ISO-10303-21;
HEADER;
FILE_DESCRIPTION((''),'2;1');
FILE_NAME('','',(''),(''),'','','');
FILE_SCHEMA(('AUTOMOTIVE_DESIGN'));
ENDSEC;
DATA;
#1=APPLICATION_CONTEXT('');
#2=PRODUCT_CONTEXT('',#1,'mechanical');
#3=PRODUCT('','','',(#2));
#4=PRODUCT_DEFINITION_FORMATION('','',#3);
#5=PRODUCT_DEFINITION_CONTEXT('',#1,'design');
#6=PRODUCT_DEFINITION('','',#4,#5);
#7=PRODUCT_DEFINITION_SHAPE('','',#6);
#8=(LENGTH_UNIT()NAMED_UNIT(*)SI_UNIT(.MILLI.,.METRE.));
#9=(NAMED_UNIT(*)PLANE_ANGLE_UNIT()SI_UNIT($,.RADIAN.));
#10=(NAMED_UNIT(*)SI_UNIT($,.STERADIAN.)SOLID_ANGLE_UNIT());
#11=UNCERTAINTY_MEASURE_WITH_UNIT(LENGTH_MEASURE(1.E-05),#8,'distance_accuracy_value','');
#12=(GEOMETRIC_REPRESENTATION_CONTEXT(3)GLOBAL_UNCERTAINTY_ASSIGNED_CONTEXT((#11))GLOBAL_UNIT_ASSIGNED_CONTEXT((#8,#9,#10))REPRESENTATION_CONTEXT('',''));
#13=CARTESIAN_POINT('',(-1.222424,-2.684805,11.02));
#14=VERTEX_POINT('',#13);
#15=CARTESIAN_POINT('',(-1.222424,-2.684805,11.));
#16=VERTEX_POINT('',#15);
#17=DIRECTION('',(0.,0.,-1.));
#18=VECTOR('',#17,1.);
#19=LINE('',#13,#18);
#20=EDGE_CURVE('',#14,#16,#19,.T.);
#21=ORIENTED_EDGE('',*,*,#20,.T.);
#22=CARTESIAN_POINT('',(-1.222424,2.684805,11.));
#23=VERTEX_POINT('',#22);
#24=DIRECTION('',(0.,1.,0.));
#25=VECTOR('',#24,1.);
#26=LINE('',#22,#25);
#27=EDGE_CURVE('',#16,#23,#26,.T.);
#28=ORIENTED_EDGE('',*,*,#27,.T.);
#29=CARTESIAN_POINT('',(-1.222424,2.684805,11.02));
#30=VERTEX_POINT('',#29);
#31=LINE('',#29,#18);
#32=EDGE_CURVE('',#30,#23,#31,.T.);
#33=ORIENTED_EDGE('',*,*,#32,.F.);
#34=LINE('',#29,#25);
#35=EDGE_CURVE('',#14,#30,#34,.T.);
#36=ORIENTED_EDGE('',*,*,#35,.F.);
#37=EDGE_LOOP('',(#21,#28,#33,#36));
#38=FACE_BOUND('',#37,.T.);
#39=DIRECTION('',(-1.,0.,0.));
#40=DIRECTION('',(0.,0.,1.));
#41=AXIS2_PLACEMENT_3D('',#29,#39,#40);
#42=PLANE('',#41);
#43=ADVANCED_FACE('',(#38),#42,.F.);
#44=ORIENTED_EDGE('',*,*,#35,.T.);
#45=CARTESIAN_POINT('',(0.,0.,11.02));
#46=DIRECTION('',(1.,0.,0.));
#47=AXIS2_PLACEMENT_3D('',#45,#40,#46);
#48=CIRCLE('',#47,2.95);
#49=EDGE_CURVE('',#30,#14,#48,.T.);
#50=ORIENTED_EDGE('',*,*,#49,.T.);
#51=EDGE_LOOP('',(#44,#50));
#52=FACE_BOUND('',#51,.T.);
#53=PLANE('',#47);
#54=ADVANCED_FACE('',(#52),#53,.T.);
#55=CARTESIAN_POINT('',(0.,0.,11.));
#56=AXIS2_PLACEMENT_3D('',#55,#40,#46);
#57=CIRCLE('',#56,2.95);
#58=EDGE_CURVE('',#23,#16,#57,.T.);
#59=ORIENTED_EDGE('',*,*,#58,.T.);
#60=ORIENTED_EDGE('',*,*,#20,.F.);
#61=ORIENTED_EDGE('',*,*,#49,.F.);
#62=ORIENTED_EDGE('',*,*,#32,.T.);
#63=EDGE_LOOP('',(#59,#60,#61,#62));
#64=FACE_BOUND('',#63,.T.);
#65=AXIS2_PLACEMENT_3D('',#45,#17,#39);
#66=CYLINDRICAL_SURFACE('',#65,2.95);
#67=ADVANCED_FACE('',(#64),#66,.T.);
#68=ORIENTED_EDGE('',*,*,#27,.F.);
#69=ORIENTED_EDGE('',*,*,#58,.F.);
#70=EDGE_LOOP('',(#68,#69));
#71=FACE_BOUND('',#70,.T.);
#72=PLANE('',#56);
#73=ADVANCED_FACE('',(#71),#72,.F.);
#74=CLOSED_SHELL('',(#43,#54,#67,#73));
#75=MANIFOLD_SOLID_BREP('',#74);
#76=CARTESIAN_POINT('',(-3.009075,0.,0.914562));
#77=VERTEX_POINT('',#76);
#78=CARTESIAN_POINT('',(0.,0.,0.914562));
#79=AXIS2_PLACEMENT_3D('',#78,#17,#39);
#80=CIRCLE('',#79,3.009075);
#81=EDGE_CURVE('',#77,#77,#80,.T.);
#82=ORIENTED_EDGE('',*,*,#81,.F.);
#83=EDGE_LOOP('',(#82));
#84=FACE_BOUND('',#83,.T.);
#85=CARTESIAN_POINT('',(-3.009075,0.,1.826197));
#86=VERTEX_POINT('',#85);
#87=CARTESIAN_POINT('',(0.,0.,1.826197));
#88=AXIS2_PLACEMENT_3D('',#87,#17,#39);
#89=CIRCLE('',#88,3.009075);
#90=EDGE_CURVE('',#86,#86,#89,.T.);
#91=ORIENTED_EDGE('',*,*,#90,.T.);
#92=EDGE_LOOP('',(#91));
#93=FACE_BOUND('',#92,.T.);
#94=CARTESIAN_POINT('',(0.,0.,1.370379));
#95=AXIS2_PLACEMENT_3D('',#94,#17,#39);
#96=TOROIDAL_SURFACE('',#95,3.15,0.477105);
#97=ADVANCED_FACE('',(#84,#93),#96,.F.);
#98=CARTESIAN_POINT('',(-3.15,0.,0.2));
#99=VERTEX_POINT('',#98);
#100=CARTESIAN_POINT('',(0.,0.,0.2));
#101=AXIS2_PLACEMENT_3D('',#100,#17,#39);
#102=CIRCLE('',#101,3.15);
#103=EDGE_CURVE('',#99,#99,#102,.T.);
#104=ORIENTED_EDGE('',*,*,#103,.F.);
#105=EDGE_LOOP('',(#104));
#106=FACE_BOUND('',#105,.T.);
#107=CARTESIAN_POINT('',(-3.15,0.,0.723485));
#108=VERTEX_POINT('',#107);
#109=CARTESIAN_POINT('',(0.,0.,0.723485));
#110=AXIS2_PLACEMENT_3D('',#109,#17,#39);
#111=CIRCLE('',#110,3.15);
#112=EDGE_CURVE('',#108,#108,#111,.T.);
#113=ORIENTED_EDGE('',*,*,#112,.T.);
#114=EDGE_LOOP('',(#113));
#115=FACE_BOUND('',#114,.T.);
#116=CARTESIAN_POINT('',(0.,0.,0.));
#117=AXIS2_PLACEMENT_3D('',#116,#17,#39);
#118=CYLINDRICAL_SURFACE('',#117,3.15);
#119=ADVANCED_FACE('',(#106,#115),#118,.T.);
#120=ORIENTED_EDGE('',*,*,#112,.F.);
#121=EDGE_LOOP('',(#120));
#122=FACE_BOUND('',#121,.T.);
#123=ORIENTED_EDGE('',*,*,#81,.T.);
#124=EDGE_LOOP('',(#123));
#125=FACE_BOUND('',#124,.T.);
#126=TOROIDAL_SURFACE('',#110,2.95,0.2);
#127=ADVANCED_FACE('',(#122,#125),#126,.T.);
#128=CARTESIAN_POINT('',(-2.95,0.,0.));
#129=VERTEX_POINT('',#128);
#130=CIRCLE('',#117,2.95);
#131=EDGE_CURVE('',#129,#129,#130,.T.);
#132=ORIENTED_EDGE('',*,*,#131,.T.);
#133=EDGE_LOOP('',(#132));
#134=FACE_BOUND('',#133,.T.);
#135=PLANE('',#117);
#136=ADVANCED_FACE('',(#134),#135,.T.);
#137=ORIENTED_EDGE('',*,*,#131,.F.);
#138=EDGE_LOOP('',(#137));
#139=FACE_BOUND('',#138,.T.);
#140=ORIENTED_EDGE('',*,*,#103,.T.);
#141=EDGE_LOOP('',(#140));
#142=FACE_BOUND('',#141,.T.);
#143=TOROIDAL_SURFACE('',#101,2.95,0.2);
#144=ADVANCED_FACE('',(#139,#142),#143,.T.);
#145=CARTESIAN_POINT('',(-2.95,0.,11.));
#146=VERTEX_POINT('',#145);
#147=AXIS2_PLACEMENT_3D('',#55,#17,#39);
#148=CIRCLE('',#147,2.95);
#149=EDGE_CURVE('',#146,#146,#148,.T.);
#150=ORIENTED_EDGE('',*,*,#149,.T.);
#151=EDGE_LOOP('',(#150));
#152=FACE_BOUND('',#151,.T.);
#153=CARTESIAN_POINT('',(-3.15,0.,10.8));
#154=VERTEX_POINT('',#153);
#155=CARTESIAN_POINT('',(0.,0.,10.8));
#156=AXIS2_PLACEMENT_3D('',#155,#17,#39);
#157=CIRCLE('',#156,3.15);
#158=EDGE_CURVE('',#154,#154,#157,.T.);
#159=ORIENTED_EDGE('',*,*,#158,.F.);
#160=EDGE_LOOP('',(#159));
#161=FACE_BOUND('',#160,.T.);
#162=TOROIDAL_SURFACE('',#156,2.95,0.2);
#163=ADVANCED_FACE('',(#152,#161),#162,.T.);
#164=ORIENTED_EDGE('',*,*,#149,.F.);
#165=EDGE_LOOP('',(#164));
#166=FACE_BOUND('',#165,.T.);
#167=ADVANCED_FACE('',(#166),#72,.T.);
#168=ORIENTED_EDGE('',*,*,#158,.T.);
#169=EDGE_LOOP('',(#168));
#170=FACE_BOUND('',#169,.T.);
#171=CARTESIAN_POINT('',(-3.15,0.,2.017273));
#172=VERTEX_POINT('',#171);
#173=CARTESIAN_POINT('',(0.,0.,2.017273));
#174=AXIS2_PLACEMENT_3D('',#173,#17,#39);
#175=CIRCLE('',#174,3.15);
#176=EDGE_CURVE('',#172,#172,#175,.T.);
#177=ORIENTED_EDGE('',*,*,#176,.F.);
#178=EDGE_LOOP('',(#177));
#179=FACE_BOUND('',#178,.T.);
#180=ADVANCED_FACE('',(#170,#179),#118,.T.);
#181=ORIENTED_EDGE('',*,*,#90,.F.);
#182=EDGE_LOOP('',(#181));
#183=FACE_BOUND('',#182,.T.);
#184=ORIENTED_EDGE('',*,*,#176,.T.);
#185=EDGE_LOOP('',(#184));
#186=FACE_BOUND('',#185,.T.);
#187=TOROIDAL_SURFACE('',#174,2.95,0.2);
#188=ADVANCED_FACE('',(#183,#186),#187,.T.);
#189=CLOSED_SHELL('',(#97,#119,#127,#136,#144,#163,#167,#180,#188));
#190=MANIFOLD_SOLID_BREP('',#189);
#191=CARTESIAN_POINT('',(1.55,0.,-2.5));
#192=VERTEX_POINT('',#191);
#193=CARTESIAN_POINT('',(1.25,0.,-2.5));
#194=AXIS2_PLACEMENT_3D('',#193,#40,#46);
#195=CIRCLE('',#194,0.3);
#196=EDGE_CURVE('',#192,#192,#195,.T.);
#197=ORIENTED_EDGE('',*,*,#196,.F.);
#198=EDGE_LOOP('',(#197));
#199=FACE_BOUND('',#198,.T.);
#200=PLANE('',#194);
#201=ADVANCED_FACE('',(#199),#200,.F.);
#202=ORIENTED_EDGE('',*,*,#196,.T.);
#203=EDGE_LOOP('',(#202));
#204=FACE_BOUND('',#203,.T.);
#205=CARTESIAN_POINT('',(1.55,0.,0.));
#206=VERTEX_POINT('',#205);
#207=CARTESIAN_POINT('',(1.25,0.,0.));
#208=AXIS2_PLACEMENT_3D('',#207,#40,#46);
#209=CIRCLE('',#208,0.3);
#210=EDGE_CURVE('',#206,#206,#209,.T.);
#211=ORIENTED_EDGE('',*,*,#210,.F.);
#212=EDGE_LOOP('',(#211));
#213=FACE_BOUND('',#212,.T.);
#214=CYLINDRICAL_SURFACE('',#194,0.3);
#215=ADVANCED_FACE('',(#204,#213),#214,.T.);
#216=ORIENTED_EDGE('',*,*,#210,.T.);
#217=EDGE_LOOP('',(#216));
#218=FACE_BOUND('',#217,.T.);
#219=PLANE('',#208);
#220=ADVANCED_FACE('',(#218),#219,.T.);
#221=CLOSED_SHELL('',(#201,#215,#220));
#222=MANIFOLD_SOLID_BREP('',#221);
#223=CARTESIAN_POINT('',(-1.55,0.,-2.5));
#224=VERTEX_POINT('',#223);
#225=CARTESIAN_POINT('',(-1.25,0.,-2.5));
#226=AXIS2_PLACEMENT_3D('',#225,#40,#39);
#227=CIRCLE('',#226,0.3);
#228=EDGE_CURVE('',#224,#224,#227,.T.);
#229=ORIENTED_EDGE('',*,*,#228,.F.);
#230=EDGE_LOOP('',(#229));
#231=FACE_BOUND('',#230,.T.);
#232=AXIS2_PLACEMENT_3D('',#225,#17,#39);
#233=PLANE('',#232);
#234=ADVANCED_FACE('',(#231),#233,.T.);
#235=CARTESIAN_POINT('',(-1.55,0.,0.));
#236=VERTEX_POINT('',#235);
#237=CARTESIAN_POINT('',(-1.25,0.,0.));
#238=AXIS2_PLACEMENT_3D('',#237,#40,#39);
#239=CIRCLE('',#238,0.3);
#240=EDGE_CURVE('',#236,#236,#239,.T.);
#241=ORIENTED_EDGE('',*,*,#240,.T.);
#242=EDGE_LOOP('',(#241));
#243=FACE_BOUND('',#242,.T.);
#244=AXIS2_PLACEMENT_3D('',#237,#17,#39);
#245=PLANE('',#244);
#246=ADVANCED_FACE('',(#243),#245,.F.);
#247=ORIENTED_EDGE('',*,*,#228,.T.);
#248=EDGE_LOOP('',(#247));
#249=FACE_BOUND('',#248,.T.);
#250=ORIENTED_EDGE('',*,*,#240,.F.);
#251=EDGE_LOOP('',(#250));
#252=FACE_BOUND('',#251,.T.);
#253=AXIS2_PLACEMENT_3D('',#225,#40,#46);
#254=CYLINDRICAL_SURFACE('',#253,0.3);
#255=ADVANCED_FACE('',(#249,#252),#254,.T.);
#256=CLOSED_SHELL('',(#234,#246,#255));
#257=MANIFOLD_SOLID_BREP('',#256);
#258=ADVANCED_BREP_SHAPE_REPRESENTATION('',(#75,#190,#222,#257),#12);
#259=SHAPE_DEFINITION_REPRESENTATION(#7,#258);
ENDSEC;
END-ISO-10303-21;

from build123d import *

# Parameters (mm, degrees)
SKETCH_2_R        = 0.3
EXTRUDE_1_DEPTH   = 2.5
EXTRUDE_1_2_DEPTH = 2.5
EXTRUDE_2_DEPTH   = 0.02


with BuildPart() as part:
    # Эскиз1 → Повернуть1 (revolve)
    with BuildSketch(Plane(origin=(0, 0, 0), x_dir=(1, 0, 0), z_dir=(0, 1, 0))):
        with BuildLine():
            Line((-3.15, -2.017273049), (-3.15, -10.8))
            ThreePointArc((-3.15, -10.8), (-3.091421356, -10.941421356), (-2.95, -11))
            Line((-2.95, -11), (0, -11))
            Line((0, -11), (0, 0))
            Line((0, 0), (-2.95, 0))
            ThreePointArc((-2.95, 0), (-3.091421356, -0.058578644), (-3.15, -0.2))
            Line((-3.15, -0.2), (-3.15, -0.723485332))
            ThreePointArc((-3.15, -0.723485332), (-3.11095807, -0.842197167), (-3.009075002, -0.91456161))
            ThreePointArc((-3.009075002, -0.91456161), (-2.672894643, -1.370379191), (-3.009075002, -1.826196771))
            ThreePointArc((-3.009075002, -1.826196771), (-3.11095807, -1.898561214), (-3.15, -2.017273049))
        make_face()
    revolve(axis=Axis((0, 0, 0), (0, 0, 1)))


with BuildPart() as body_2:
    # Эскиз2 → Бобышка-Вытянуть1 (new body)
    with BuildSketch(Plane.XY):
        with Locations((1.25, 0)):
            Circle(SKETCH_2_R)
    extrude(amount=-EXTRUDE_1_DEPTH)


with BuildPart() as body_3:
    # Эскиз2 → Extrude 1 2 (new body)
    with BuildSketch(Plane.XY):
        with Locations(Location((-1.25, 0, 0), (0, 0, 180))):
            Circle(SKETCH_2_R)
    extrude(amount=-EXTRUDE_1_2_DEPTH)


with BuildPart() as body_4:
    # Эскиз3 → Бобышка-Вытянуть2 (new body)
    with BuildSketch(Plane.XY.offset(11)):
        with BuildLine():
            Line((-1.222424003, 2.684805311), (-1.222424003, -2.684805311))
            ThreePointArc((-1.222424003, -2.684805311), (-2.95, 0), (-1.222424003, 2.684805311))
        make_face()
    extrude(amount=EXTRUDE_2_DEPTH)


solid = Compound([part.part, body_2.part, body_3.part, body_4.part])
